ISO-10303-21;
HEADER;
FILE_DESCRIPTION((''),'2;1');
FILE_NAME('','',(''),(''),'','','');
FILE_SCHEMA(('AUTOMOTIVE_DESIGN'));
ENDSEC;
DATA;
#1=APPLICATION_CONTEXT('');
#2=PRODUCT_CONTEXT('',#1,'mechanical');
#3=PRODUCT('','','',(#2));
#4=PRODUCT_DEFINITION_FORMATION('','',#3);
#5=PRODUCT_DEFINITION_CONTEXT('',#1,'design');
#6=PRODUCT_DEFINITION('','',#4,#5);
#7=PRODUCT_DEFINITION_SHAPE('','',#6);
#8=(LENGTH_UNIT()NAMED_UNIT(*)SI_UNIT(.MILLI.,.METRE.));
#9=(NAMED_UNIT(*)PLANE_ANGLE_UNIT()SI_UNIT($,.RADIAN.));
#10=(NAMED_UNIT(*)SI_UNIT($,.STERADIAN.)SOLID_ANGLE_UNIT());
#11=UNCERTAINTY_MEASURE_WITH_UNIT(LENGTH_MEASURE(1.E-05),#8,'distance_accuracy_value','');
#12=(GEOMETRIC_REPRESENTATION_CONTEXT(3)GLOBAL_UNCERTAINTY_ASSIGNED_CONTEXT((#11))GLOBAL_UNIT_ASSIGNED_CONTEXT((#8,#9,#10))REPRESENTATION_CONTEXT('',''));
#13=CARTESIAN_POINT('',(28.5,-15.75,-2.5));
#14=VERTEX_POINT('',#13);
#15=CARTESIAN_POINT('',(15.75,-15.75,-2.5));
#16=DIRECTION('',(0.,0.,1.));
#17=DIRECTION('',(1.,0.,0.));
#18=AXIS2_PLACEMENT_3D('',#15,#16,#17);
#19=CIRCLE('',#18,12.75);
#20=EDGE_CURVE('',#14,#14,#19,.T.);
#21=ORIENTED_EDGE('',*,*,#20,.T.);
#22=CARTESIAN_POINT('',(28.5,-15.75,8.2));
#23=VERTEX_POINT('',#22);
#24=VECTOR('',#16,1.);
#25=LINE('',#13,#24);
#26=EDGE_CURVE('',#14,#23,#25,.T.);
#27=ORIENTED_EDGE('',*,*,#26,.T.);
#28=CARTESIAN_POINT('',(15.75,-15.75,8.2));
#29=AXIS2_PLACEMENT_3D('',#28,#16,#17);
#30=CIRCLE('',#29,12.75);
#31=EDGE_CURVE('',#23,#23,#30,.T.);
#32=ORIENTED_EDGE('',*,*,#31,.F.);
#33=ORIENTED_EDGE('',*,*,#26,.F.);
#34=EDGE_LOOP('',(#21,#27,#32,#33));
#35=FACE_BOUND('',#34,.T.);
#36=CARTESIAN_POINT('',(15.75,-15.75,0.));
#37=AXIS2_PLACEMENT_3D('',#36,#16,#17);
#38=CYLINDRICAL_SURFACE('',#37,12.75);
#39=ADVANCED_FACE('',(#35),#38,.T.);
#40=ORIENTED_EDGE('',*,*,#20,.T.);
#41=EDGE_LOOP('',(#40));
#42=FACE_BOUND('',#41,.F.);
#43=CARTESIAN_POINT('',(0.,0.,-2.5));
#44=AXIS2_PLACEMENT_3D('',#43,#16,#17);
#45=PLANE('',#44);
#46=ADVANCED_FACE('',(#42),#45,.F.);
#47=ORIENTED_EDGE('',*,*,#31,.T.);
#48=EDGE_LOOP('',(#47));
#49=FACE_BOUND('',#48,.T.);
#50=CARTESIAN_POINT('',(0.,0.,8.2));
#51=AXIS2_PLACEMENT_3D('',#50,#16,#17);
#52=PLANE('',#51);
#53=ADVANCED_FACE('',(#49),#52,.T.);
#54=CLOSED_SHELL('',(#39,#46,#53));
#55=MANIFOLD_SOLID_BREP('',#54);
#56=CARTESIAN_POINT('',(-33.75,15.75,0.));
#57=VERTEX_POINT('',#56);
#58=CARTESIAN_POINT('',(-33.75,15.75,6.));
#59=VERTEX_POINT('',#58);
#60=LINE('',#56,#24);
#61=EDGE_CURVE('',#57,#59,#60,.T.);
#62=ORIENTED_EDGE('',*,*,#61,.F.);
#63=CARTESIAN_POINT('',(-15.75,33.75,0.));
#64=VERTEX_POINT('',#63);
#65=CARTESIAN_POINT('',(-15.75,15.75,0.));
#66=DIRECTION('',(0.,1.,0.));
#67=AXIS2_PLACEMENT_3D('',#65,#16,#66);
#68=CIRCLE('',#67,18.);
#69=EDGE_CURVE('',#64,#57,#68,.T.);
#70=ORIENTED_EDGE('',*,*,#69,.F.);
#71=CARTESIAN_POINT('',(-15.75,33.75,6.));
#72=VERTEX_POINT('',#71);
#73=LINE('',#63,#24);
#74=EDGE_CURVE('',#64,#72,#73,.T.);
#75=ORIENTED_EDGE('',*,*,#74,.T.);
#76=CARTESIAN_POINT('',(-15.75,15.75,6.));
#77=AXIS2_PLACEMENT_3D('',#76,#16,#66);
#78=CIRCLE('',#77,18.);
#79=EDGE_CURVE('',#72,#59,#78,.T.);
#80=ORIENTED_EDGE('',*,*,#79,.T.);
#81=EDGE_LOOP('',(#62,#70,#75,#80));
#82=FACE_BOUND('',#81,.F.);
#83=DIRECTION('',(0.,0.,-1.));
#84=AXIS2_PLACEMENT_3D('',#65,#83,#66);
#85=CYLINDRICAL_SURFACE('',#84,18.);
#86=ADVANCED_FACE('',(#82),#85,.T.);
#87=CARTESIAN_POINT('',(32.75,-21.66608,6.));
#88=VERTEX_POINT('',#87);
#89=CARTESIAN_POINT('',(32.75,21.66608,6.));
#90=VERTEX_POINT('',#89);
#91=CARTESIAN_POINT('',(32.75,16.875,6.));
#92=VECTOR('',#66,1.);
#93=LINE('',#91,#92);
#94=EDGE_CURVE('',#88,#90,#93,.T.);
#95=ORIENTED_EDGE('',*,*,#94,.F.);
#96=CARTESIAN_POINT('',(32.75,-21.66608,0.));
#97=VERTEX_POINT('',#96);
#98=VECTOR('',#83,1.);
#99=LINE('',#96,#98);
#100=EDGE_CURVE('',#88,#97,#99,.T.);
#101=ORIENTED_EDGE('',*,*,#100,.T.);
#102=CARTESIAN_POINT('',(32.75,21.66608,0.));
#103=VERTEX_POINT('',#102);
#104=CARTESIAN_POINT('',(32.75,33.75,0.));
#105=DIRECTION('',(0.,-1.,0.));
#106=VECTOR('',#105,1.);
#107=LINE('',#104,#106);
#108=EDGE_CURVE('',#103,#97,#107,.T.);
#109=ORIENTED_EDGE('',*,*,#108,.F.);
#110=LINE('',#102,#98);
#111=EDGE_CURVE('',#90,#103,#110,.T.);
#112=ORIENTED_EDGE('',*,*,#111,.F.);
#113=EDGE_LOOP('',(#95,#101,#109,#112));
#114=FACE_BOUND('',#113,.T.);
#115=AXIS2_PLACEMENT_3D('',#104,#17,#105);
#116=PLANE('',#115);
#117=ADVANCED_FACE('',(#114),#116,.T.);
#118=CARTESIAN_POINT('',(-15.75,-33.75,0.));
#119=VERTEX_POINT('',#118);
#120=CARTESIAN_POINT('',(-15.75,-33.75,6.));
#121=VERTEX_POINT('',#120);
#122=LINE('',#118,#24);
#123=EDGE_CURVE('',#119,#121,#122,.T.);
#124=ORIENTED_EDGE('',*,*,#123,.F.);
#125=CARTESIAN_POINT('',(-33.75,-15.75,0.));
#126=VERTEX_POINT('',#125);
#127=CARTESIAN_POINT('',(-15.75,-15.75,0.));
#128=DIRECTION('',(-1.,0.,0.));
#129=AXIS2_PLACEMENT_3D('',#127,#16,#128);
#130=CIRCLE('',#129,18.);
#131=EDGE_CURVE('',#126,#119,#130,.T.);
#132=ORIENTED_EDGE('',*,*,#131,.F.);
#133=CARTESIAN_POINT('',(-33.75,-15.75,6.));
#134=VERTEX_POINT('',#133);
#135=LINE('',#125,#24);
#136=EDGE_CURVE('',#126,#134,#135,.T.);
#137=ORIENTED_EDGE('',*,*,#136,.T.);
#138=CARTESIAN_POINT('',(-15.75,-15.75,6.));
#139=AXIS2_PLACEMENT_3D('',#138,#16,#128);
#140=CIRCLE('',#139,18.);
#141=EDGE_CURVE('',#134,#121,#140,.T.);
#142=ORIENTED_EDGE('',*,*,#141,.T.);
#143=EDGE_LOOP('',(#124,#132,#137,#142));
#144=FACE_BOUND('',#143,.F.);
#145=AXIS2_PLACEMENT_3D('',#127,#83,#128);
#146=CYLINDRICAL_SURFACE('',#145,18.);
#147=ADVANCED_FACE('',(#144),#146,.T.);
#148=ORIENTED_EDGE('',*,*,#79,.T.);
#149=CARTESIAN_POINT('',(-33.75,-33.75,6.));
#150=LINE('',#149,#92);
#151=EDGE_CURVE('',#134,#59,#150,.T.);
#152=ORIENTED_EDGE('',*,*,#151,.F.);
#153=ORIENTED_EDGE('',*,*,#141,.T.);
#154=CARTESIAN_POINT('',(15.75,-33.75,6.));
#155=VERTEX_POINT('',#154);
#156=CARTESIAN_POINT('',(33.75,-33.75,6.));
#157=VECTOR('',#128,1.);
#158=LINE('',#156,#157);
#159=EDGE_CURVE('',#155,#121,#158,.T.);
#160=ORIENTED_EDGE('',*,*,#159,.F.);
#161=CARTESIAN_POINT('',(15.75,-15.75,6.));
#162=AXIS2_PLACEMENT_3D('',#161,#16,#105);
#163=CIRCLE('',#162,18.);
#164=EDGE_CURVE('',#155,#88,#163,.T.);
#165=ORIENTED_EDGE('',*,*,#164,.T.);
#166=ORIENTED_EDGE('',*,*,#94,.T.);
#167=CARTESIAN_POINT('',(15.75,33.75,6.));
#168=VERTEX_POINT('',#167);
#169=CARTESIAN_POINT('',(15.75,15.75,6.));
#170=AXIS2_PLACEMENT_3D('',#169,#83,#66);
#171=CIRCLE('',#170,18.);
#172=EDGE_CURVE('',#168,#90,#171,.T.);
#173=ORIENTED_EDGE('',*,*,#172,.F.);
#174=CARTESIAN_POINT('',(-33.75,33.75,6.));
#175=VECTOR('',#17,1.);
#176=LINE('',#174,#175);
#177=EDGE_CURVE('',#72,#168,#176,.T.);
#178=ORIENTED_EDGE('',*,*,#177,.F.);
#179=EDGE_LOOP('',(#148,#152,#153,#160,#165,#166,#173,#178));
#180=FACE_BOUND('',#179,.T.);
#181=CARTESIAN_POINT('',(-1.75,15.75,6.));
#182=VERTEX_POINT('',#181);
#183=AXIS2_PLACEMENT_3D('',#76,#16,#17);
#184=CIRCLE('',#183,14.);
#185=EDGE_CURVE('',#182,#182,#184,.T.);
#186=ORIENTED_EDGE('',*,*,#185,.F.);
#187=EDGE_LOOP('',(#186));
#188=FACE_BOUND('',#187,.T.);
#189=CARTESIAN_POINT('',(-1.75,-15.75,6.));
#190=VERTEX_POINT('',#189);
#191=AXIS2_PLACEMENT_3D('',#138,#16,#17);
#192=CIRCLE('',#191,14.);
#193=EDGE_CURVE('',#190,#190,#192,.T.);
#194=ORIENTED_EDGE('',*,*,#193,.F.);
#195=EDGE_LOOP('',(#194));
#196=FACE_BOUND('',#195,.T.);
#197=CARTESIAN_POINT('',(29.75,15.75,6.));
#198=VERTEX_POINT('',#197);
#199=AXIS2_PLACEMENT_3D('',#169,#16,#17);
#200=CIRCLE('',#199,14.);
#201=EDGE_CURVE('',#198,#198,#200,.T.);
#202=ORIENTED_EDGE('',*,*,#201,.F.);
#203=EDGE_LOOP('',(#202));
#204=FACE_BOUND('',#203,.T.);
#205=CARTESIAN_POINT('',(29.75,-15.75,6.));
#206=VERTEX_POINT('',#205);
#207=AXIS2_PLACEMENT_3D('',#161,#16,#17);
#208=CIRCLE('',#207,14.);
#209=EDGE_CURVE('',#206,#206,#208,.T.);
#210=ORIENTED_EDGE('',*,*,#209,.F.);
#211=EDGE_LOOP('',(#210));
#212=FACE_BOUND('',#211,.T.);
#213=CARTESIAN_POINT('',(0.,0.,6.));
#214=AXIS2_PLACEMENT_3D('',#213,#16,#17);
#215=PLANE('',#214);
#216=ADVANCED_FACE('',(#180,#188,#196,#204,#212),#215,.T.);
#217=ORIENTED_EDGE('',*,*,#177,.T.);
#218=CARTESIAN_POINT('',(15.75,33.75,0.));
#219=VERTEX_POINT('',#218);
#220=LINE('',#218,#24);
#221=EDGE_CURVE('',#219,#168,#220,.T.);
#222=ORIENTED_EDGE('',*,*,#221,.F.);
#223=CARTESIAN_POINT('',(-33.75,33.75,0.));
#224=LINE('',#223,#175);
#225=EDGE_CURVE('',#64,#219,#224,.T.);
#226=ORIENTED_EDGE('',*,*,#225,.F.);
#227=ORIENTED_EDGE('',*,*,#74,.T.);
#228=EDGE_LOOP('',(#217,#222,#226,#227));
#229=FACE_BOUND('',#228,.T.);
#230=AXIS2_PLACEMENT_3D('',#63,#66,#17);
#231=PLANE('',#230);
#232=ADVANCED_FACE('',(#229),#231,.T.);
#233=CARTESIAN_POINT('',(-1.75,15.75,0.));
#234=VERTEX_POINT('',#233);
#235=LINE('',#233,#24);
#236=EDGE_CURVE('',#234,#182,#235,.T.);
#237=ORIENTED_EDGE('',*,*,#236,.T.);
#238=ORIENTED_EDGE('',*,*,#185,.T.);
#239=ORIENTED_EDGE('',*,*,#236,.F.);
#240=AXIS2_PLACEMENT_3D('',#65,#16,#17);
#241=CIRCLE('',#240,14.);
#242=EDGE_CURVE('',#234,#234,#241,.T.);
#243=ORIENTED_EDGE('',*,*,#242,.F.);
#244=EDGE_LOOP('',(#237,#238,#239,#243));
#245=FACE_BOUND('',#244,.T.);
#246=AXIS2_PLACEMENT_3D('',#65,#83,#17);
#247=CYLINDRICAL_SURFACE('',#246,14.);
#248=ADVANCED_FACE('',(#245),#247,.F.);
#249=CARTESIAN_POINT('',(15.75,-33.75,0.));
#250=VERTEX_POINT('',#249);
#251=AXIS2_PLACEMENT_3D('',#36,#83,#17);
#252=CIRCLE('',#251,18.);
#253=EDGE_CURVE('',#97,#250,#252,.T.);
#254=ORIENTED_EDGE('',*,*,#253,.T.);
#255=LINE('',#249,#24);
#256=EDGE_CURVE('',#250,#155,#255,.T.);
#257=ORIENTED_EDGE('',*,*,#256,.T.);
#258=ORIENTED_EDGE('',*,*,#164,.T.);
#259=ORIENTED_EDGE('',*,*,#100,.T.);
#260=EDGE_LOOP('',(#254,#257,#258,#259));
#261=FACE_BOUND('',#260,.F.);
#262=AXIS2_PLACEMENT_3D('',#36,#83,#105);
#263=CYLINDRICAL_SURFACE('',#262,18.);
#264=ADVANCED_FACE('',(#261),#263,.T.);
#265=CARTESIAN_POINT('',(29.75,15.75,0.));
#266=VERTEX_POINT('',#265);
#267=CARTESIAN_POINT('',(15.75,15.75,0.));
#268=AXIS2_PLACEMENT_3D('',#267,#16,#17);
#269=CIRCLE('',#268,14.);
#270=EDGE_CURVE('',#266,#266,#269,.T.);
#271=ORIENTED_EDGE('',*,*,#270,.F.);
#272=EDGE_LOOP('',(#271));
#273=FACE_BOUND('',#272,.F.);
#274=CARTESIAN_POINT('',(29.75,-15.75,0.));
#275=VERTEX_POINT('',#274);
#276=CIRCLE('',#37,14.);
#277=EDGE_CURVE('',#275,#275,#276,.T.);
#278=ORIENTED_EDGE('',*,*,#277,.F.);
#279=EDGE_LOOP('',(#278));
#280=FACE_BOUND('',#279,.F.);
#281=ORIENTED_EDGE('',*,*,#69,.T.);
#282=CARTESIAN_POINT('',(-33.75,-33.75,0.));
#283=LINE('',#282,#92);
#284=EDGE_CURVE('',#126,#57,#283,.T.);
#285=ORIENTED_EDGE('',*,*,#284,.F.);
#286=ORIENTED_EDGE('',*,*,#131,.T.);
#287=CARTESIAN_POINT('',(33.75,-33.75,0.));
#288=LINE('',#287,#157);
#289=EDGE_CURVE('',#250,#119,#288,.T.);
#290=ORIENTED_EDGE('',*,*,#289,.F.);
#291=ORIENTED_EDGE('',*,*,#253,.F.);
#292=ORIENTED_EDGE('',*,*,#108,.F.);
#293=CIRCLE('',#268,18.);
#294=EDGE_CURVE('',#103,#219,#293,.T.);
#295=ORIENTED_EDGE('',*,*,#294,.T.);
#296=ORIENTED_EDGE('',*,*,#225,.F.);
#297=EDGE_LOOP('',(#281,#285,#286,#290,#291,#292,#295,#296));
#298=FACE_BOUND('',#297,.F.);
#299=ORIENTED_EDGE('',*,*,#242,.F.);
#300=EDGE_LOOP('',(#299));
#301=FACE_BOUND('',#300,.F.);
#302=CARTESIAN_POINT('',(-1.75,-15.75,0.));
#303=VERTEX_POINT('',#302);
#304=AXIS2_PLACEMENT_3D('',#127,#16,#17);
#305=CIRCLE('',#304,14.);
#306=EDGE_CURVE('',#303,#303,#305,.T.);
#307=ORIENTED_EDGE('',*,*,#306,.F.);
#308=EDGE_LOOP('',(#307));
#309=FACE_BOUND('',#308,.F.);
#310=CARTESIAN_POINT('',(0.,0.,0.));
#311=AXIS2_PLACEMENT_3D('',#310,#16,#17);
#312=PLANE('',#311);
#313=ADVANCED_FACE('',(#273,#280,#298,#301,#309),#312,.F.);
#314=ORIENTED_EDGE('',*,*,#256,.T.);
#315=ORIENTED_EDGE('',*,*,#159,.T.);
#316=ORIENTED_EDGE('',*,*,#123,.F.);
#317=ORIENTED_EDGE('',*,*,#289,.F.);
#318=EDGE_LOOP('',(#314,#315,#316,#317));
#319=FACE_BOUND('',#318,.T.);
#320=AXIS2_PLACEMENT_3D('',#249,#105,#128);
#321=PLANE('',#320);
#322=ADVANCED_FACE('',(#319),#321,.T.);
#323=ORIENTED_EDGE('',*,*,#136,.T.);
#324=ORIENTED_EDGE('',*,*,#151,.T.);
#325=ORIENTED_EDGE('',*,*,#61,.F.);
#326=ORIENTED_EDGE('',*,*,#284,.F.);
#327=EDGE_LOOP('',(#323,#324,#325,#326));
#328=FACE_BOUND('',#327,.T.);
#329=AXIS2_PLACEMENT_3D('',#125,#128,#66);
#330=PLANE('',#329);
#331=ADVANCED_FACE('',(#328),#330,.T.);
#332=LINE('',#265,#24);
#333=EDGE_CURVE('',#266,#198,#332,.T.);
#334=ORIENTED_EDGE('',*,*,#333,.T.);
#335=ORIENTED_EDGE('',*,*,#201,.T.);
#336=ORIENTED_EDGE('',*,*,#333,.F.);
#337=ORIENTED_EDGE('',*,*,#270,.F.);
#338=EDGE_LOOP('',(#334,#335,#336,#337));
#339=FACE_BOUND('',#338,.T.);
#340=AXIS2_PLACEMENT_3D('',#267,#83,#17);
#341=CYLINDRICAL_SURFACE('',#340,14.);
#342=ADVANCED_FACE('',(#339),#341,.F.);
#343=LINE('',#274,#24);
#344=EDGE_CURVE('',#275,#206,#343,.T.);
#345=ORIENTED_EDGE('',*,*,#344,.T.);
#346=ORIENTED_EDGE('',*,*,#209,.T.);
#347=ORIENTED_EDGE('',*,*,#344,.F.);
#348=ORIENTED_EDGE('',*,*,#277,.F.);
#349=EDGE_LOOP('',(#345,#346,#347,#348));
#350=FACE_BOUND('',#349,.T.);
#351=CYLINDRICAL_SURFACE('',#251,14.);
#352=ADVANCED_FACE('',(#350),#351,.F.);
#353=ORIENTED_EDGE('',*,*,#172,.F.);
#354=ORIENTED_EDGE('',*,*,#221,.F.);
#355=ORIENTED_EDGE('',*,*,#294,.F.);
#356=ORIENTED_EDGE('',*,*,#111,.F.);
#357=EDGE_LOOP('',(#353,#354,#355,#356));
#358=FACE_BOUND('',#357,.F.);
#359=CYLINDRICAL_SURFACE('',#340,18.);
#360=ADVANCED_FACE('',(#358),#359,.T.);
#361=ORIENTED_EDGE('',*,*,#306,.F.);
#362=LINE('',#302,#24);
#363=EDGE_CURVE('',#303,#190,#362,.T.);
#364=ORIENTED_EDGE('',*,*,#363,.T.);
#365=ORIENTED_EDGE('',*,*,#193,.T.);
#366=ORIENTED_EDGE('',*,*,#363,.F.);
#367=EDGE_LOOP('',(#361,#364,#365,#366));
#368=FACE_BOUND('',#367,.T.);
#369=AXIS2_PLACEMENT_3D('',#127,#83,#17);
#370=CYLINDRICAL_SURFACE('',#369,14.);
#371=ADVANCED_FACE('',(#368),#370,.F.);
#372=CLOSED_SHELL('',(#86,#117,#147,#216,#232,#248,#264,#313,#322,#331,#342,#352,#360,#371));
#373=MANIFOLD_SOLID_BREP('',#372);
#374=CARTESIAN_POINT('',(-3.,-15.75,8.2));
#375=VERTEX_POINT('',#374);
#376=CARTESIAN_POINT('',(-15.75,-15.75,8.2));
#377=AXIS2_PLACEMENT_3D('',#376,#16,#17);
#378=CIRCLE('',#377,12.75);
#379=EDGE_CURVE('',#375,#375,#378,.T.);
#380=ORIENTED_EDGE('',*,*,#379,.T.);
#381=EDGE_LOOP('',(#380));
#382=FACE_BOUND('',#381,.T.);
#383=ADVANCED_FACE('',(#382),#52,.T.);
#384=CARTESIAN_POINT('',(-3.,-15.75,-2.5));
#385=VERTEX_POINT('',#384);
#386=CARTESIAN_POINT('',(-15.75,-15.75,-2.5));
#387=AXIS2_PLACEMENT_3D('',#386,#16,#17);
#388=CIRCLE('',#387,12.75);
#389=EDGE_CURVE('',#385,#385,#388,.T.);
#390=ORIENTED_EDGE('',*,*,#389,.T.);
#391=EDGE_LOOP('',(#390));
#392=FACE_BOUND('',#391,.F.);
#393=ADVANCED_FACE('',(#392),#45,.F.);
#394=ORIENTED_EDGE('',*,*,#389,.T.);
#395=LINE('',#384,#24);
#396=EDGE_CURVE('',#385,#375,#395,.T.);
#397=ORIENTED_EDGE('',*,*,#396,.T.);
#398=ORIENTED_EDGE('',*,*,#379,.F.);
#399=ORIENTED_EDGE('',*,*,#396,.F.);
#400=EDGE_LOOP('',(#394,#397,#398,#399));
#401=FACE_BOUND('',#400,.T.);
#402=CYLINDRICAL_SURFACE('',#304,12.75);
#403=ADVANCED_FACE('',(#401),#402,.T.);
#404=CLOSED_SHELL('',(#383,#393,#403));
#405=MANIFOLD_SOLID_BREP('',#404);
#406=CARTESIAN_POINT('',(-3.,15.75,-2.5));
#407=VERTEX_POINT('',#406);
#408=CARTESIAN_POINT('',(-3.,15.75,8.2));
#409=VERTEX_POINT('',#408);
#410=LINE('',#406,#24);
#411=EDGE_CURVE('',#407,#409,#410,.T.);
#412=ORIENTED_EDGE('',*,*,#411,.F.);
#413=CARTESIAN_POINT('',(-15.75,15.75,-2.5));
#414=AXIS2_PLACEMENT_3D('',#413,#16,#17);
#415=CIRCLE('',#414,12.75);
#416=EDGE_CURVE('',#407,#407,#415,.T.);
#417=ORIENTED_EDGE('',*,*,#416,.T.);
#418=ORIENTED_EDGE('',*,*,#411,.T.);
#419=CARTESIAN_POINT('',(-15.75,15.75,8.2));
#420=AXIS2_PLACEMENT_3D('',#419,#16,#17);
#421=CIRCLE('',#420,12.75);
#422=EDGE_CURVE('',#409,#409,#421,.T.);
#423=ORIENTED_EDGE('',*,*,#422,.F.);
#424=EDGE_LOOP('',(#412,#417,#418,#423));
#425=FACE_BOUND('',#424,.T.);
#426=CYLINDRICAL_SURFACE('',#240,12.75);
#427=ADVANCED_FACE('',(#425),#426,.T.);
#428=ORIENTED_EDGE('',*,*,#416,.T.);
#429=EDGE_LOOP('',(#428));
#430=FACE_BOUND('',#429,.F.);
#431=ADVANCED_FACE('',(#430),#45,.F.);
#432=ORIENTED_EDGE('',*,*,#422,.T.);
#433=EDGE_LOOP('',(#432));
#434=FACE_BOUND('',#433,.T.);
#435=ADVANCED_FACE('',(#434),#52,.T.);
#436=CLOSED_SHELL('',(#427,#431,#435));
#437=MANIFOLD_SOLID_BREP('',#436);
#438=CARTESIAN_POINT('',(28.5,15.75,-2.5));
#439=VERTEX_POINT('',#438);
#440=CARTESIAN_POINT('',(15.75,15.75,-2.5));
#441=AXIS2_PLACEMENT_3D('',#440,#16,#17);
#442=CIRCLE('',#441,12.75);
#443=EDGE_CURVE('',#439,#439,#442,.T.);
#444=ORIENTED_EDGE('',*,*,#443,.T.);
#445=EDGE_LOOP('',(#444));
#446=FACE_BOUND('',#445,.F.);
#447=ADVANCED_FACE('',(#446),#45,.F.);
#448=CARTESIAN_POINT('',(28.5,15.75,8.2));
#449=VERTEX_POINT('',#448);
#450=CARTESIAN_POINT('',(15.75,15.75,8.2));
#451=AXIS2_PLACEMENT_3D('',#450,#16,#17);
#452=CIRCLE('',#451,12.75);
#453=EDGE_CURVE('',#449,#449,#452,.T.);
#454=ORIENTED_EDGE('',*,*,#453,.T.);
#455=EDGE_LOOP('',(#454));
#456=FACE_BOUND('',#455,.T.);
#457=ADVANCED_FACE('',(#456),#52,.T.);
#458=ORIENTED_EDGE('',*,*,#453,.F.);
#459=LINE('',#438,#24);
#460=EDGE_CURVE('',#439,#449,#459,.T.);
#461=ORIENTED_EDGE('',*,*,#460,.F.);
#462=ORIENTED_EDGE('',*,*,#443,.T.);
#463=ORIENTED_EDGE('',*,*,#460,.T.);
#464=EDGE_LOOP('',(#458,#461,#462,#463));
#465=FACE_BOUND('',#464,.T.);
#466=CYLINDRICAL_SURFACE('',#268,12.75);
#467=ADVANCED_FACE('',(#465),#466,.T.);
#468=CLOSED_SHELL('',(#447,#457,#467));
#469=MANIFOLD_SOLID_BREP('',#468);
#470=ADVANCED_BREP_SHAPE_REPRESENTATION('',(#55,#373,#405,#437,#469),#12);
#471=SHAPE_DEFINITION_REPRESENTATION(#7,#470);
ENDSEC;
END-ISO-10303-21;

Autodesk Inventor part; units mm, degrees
ref_plane "YZ Plane" through (0, 0, 0) normal (1, 0, 0) x (0, 1, 0)
ref_plane "XZ Plane" through (0, 0, 0) normal (0, 1, 0) x (-1, 0, 0)
ref_plane "XY Plane" through (0, 0, 0) normal (0, 0, 1) x (1, 0, 0)
sketch "Skizze1" plane through (0, 0, 0) normal (0, 0, 1) x (1, 0, 0)
  line L0 (-33.75, 33.75) -> (33.75, 33.75)
  line L1 (33.75, 33.75) -> (33.75, -33.75)
  line L2 (33.75, -33.75) -> (-33.75, -33.75)
  line L3 (-33.75, -33.75) -> (-33.75, 33.75)
  circle A0 centre (-15.75, 15.75) radius 18 construction
  circle A1 centre (15.75, 15.75) radius 18 construction
  circle A2 centre (-15.75, -15.75) radius 18 construction
  circle A3 centre (15.75, -15.75) radius 18 construction
  arc A4 (-15.75, 33.75) -> (-33.75, 15.75) centre (-15.75, 15.75) ccw
  arc A5 (33.75, 15.75) -> (15.75, 33.75) centre (15.75, 15.75) ccw
  arc A6 (-33.75, -15.75) -> (-15.75, -33.75) centre (-15.75, -15.75) ccw
  arc A7 (15.75, -33.75) -> (33.75, -15.75) centre (15.75, -15.75) ccw
  circle A8 centre (-15.75, 15.75) radius 14
  circle A9 centre (15.75, 15.75) radius 14
  circle A10 centre (-15.75, -15.75) radius 14
  circle A11 centre (15.75, -15.75) radius 14
  circle A12 centre (-15.75, 15.75) radius 12.75
  circle A13 centre (15.75, 15.75) radius 12.75
  circle A14 centre (-15.75, -15.75) radius 12.75
  circle A15 centre (15.75, -15.75) radius 12.75
  line L4 (33.75, 0) -> (-33.75, 0) construction
  line L5 (0, 33.75) -> (0, -33.75) construction
  line L6 (33.75, 33.75) -> (32.75, 33.75)
  line L7 (32.75, 33.75) -> (32.75, -33.75)
  line L8 (32.75, -33.75) -> (33.75, -33.75)
  line L9 (33.75, -33.75) -> (33.75, 33.75)
  circle A16 centre (0, -30) radius 1 construction
  circle A17 centre (0, 30) radius 1 construction
  line L10 (0, -30) -> (0, 30) construction
  point P0 (0, 0)
  point P1 (0, 0)
  dimension "d0" = 67.5
  dimension "d1" = 67.5
  dimension "d2" = 36
  dimension "d3" = 28
  dimension "d4" = 28
  dimension "d5" = 28
  dimension "d6" = 28
  dimension "d9" = 25.5
  dimension "d14" = 1
  dimension "d17" = 2
  dimension "d18" = 60
  dimension "d19" = 15.75
extrude "Extrusion1" add sketch "Skizze1" along normal blind 6 contours L0 A5 L7 A7 L2 A6 L3 A4 | A5 L1 A7 L7
extrude "Extrusion2" add sketch "Skizze1" against normal blind 2.5 contours A12 | A13 | A14 | A15
extrude "Extrusion3" add sketch "Skizze1" along normal blind 8.2 contours A12 | A13 | A14 | A15
extrude "Extrusion4" cut sketch "Skizze1" along normal through all contours L0 L1 A5 L7 | A5 L1 A7 L7 | A7 L1 L2 L7
equation "\"d1\" = d0"
equation "\"d3\" = d4"
equation "\"d5\" = d3"
equation "\"d6\" = d4"
properties part number "daVinciTool_Aufnahme_ClutchPart"
